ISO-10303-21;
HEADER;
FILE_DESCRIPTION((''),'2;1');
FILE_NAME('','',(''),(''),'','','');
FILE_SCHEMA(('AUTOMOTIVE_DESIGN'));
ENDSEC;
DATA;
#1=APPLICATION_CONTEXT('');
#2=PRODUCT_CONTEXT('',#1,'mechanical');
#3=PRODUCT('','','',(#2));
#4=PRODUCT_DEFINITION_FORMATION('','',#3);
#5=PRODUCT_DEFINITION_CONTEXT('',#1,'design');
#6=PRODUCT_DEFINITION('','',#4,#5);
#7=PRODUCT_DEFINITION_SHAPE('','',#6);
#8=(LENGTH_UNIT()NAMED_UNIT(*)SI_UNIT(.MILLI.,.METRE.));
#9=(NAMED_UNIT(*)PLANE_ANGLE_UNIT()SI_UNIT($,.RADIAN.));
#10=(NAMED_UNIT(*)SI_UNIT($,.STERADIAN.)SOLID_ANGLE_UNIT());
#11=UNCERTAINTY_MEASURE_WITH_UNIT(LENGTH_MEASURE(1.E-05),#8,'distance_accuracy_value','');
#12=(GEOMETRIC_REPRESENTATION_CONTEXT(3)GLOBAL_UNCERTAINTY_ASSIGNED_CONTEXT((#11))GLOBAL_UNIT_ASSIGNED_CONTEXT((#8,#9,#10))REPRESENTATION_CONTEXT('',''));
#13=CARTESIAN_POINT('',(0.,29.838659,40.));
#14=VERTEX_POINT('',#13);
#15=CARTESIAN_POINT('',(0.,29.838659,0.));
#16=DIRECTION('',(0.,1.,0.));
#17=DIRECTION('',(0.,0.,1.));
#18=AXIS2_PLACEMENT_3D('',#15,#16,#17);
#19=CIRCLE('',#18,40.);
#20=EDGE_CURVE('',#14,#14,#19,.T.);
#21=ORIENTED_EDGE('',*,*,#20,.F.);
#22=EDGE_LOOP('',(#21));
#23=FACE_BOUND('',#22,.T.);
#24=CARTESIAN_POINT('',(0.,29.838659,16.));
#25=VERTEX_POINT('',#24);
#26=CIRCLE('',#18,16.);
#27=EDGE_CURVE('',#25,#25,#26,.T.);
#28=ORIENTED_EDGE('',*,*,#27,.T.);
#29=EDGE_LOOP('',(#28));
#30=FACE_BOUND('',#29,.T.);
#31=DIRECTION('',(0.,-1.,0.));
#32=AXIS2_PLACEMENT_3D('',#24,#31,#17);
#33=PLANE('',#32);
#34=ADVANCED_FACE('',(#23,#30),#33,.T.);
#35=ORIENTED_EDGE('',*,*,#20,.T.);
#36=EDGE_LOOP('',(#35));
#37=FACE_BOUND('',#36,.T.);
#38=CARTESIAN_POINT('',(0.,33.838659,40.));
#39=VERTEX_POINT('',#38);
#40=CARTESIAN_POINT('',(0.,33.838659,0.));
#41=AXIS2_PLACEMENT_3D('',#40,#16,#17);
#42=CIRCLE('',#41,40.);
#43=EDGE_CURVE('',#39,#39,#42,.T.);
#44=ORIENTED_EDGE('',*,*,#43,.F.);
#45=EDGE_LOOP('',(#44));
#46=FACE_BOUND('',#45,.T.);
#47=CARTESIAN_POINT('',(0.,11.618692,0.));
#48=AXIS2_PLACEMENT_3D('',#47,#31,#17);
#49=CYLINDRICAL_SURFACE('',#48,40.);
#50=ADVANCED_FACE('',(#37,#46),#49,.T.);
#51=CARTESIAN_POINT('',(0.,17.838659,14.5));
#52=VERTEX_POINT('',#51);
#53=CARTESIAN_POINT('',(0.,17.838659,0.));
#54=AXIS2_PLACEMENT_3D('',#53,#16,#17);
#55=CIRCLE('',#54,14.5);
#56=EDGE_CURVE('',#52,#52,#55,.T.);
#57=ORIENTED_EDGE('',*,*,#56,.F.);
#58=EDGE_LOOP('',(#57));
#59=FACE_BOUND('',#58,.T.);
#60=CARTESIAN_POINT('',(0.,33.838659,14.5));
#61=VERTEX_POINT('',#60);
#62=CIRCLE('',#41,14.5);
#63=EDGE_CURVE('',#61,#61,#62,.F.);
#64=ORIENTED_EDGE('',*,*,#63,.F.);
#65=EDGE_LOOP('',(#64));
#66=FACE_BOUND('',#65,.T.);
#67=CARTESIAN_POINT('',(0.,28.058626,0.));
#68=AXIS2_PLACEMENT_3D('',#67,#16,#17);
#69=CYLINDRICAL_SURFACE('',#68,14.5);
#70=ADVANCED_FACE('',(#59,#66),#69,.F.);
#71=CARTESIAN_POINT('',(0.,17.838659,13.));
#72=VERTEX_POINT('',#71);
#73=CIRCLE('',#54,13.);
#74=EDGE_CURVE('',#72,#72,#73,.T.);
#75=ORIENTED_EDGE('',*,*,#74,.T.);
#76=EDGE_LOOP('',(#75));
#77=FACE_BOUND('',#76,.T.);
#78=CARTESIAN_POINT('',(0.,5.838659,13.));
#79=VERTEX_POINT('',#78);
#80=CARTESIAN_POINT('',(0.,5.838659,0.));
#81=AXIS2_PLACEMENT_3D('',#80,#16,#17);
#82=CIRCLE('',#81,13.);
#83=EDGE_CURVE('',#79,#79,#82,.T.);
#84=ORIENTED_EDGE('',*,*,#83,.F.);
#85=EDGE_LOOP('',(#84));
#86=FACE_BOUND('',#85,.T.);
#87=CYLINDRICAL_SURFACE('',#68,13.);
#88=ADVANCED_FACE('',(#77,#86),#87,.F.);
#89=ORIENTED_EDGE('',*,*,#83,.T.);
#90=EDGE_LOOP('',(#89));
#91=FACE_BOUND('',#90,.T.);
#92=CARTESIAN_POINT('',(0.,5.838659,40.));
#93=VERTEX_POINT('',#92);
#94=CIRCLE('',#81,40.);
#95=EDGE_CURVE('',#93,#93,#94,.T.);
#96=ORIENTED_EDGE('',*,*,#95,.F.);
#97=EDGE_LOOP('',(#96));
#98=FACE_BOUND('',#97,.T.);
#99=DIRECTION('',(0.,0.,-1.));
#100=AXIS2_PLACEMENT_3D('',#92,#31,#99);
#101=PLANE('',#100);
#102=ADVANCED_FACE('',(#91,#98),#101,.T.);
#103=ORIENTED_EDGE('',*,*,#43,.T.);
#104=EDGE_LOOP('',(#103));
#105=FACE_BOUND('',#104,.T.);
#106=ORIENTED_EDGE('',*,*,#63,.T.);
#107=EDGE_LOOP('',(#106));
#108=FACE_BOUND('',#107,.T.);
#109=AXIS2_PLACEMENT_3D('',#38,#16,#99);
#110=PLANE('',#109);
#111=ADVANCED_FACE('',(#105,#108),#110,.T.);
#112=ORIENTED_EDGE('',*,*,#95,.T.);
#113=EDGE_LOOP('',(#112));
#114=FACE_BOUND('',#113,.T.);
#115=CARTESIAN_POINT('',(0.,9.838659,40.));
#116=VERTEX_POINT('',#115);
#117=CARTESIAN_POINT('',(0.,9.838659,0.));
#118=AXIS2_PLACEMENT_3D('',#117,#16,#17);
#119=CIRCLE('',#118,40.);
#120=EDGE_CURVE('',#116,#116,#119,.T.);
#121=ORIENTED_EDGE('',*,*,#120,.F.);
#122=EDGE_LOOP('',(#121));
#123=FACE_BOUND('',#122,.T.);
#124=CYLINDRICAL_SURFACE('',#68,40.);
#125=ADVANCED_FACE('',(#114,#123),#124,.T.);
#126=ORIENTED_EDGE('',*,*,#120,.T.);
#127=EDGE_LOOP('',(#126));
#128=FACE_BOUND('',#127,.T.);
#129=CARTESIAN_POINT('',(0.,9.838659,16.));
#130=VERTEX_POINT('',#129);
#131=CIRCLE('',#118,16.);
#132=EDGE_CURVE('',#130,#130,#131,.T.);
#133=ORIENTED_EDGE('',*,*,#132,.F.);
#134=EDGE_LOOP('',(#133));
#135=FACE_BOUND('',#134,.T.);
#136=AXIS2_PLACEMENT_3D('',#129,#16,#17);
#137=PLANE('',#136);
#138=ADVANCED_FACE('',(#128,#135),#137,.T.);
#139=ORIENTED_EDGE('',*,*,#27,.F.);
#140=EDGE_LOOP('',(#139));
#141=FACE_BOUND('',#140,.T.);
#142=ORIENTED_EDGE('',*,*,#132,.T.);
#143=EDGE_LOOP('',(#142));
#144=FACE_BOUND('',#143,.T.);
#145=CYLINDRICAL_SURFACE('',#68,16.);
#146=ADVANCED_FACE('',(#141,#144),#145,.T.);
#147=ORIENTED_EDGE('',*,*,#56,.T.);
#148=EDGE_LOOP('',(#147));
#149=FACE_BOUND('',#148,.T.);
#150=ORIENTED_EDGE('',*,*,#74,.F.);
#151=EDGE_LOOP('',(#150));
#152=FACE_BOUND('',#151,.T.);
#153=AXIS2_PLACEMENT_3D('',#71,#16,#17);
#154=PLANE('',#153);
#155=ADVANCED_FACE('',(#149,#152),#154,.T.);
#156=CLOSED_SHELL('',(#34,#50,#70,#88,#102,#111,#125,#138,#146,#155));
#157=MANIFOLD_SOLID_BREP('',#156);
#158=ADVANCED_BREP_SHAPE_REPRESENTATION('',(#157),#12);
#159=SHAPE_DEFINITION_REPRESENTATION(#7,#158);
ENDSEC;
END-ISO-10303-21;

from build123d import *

# Parameters (mm, degrees)
CUT_EXTRUDE1_START = 48
SKETCH2_R          = 14.5
CUT_EXTRUDE1_DEPTH = 48


with BuildPart() as part:
    # Sketch1 → Revolve1 (revolve)
    with BuildSketch(Plane(origin=(0, 0, 0), x_dir=(0, 0, -1), z_dir=(1, 0, 0))):
        Polygon((-16, 9.838658872), (-40, 9.838658872), (-40, 5.838658872), (-13, 5.838658872), (-13, 17.838658872), (-14.5, 17.838658872), (-14.5, 29.838658872), (-16, 29.838658872), align=None)
    revolve1 = revolve(axis=Axis((0, 28.058626224, 0), (0, -1, 0)))

    # Mirror3: Revolve1 across plane
    add(revolve1.mirror(Plane.ZX.offset(19.838658872)))

    # Sketch2 → Cut-Extrude1 (cut)
    with BuildSketch(Plane(origin=(0, 17.838658872, 0), x_dir=(1, 0, 0), z_dir=(0, 1, 0)).offset(CUT_EXTRUDE1_START)):
        with Locations(Location((0, 0, 0), (0, 0, 270))):
            Circle(SKETCH2_R)
    extrude(amount=-CUT_EXTRUDE1_DEPTH, mode=Mode.SUBTRACT)


solid = part.part
